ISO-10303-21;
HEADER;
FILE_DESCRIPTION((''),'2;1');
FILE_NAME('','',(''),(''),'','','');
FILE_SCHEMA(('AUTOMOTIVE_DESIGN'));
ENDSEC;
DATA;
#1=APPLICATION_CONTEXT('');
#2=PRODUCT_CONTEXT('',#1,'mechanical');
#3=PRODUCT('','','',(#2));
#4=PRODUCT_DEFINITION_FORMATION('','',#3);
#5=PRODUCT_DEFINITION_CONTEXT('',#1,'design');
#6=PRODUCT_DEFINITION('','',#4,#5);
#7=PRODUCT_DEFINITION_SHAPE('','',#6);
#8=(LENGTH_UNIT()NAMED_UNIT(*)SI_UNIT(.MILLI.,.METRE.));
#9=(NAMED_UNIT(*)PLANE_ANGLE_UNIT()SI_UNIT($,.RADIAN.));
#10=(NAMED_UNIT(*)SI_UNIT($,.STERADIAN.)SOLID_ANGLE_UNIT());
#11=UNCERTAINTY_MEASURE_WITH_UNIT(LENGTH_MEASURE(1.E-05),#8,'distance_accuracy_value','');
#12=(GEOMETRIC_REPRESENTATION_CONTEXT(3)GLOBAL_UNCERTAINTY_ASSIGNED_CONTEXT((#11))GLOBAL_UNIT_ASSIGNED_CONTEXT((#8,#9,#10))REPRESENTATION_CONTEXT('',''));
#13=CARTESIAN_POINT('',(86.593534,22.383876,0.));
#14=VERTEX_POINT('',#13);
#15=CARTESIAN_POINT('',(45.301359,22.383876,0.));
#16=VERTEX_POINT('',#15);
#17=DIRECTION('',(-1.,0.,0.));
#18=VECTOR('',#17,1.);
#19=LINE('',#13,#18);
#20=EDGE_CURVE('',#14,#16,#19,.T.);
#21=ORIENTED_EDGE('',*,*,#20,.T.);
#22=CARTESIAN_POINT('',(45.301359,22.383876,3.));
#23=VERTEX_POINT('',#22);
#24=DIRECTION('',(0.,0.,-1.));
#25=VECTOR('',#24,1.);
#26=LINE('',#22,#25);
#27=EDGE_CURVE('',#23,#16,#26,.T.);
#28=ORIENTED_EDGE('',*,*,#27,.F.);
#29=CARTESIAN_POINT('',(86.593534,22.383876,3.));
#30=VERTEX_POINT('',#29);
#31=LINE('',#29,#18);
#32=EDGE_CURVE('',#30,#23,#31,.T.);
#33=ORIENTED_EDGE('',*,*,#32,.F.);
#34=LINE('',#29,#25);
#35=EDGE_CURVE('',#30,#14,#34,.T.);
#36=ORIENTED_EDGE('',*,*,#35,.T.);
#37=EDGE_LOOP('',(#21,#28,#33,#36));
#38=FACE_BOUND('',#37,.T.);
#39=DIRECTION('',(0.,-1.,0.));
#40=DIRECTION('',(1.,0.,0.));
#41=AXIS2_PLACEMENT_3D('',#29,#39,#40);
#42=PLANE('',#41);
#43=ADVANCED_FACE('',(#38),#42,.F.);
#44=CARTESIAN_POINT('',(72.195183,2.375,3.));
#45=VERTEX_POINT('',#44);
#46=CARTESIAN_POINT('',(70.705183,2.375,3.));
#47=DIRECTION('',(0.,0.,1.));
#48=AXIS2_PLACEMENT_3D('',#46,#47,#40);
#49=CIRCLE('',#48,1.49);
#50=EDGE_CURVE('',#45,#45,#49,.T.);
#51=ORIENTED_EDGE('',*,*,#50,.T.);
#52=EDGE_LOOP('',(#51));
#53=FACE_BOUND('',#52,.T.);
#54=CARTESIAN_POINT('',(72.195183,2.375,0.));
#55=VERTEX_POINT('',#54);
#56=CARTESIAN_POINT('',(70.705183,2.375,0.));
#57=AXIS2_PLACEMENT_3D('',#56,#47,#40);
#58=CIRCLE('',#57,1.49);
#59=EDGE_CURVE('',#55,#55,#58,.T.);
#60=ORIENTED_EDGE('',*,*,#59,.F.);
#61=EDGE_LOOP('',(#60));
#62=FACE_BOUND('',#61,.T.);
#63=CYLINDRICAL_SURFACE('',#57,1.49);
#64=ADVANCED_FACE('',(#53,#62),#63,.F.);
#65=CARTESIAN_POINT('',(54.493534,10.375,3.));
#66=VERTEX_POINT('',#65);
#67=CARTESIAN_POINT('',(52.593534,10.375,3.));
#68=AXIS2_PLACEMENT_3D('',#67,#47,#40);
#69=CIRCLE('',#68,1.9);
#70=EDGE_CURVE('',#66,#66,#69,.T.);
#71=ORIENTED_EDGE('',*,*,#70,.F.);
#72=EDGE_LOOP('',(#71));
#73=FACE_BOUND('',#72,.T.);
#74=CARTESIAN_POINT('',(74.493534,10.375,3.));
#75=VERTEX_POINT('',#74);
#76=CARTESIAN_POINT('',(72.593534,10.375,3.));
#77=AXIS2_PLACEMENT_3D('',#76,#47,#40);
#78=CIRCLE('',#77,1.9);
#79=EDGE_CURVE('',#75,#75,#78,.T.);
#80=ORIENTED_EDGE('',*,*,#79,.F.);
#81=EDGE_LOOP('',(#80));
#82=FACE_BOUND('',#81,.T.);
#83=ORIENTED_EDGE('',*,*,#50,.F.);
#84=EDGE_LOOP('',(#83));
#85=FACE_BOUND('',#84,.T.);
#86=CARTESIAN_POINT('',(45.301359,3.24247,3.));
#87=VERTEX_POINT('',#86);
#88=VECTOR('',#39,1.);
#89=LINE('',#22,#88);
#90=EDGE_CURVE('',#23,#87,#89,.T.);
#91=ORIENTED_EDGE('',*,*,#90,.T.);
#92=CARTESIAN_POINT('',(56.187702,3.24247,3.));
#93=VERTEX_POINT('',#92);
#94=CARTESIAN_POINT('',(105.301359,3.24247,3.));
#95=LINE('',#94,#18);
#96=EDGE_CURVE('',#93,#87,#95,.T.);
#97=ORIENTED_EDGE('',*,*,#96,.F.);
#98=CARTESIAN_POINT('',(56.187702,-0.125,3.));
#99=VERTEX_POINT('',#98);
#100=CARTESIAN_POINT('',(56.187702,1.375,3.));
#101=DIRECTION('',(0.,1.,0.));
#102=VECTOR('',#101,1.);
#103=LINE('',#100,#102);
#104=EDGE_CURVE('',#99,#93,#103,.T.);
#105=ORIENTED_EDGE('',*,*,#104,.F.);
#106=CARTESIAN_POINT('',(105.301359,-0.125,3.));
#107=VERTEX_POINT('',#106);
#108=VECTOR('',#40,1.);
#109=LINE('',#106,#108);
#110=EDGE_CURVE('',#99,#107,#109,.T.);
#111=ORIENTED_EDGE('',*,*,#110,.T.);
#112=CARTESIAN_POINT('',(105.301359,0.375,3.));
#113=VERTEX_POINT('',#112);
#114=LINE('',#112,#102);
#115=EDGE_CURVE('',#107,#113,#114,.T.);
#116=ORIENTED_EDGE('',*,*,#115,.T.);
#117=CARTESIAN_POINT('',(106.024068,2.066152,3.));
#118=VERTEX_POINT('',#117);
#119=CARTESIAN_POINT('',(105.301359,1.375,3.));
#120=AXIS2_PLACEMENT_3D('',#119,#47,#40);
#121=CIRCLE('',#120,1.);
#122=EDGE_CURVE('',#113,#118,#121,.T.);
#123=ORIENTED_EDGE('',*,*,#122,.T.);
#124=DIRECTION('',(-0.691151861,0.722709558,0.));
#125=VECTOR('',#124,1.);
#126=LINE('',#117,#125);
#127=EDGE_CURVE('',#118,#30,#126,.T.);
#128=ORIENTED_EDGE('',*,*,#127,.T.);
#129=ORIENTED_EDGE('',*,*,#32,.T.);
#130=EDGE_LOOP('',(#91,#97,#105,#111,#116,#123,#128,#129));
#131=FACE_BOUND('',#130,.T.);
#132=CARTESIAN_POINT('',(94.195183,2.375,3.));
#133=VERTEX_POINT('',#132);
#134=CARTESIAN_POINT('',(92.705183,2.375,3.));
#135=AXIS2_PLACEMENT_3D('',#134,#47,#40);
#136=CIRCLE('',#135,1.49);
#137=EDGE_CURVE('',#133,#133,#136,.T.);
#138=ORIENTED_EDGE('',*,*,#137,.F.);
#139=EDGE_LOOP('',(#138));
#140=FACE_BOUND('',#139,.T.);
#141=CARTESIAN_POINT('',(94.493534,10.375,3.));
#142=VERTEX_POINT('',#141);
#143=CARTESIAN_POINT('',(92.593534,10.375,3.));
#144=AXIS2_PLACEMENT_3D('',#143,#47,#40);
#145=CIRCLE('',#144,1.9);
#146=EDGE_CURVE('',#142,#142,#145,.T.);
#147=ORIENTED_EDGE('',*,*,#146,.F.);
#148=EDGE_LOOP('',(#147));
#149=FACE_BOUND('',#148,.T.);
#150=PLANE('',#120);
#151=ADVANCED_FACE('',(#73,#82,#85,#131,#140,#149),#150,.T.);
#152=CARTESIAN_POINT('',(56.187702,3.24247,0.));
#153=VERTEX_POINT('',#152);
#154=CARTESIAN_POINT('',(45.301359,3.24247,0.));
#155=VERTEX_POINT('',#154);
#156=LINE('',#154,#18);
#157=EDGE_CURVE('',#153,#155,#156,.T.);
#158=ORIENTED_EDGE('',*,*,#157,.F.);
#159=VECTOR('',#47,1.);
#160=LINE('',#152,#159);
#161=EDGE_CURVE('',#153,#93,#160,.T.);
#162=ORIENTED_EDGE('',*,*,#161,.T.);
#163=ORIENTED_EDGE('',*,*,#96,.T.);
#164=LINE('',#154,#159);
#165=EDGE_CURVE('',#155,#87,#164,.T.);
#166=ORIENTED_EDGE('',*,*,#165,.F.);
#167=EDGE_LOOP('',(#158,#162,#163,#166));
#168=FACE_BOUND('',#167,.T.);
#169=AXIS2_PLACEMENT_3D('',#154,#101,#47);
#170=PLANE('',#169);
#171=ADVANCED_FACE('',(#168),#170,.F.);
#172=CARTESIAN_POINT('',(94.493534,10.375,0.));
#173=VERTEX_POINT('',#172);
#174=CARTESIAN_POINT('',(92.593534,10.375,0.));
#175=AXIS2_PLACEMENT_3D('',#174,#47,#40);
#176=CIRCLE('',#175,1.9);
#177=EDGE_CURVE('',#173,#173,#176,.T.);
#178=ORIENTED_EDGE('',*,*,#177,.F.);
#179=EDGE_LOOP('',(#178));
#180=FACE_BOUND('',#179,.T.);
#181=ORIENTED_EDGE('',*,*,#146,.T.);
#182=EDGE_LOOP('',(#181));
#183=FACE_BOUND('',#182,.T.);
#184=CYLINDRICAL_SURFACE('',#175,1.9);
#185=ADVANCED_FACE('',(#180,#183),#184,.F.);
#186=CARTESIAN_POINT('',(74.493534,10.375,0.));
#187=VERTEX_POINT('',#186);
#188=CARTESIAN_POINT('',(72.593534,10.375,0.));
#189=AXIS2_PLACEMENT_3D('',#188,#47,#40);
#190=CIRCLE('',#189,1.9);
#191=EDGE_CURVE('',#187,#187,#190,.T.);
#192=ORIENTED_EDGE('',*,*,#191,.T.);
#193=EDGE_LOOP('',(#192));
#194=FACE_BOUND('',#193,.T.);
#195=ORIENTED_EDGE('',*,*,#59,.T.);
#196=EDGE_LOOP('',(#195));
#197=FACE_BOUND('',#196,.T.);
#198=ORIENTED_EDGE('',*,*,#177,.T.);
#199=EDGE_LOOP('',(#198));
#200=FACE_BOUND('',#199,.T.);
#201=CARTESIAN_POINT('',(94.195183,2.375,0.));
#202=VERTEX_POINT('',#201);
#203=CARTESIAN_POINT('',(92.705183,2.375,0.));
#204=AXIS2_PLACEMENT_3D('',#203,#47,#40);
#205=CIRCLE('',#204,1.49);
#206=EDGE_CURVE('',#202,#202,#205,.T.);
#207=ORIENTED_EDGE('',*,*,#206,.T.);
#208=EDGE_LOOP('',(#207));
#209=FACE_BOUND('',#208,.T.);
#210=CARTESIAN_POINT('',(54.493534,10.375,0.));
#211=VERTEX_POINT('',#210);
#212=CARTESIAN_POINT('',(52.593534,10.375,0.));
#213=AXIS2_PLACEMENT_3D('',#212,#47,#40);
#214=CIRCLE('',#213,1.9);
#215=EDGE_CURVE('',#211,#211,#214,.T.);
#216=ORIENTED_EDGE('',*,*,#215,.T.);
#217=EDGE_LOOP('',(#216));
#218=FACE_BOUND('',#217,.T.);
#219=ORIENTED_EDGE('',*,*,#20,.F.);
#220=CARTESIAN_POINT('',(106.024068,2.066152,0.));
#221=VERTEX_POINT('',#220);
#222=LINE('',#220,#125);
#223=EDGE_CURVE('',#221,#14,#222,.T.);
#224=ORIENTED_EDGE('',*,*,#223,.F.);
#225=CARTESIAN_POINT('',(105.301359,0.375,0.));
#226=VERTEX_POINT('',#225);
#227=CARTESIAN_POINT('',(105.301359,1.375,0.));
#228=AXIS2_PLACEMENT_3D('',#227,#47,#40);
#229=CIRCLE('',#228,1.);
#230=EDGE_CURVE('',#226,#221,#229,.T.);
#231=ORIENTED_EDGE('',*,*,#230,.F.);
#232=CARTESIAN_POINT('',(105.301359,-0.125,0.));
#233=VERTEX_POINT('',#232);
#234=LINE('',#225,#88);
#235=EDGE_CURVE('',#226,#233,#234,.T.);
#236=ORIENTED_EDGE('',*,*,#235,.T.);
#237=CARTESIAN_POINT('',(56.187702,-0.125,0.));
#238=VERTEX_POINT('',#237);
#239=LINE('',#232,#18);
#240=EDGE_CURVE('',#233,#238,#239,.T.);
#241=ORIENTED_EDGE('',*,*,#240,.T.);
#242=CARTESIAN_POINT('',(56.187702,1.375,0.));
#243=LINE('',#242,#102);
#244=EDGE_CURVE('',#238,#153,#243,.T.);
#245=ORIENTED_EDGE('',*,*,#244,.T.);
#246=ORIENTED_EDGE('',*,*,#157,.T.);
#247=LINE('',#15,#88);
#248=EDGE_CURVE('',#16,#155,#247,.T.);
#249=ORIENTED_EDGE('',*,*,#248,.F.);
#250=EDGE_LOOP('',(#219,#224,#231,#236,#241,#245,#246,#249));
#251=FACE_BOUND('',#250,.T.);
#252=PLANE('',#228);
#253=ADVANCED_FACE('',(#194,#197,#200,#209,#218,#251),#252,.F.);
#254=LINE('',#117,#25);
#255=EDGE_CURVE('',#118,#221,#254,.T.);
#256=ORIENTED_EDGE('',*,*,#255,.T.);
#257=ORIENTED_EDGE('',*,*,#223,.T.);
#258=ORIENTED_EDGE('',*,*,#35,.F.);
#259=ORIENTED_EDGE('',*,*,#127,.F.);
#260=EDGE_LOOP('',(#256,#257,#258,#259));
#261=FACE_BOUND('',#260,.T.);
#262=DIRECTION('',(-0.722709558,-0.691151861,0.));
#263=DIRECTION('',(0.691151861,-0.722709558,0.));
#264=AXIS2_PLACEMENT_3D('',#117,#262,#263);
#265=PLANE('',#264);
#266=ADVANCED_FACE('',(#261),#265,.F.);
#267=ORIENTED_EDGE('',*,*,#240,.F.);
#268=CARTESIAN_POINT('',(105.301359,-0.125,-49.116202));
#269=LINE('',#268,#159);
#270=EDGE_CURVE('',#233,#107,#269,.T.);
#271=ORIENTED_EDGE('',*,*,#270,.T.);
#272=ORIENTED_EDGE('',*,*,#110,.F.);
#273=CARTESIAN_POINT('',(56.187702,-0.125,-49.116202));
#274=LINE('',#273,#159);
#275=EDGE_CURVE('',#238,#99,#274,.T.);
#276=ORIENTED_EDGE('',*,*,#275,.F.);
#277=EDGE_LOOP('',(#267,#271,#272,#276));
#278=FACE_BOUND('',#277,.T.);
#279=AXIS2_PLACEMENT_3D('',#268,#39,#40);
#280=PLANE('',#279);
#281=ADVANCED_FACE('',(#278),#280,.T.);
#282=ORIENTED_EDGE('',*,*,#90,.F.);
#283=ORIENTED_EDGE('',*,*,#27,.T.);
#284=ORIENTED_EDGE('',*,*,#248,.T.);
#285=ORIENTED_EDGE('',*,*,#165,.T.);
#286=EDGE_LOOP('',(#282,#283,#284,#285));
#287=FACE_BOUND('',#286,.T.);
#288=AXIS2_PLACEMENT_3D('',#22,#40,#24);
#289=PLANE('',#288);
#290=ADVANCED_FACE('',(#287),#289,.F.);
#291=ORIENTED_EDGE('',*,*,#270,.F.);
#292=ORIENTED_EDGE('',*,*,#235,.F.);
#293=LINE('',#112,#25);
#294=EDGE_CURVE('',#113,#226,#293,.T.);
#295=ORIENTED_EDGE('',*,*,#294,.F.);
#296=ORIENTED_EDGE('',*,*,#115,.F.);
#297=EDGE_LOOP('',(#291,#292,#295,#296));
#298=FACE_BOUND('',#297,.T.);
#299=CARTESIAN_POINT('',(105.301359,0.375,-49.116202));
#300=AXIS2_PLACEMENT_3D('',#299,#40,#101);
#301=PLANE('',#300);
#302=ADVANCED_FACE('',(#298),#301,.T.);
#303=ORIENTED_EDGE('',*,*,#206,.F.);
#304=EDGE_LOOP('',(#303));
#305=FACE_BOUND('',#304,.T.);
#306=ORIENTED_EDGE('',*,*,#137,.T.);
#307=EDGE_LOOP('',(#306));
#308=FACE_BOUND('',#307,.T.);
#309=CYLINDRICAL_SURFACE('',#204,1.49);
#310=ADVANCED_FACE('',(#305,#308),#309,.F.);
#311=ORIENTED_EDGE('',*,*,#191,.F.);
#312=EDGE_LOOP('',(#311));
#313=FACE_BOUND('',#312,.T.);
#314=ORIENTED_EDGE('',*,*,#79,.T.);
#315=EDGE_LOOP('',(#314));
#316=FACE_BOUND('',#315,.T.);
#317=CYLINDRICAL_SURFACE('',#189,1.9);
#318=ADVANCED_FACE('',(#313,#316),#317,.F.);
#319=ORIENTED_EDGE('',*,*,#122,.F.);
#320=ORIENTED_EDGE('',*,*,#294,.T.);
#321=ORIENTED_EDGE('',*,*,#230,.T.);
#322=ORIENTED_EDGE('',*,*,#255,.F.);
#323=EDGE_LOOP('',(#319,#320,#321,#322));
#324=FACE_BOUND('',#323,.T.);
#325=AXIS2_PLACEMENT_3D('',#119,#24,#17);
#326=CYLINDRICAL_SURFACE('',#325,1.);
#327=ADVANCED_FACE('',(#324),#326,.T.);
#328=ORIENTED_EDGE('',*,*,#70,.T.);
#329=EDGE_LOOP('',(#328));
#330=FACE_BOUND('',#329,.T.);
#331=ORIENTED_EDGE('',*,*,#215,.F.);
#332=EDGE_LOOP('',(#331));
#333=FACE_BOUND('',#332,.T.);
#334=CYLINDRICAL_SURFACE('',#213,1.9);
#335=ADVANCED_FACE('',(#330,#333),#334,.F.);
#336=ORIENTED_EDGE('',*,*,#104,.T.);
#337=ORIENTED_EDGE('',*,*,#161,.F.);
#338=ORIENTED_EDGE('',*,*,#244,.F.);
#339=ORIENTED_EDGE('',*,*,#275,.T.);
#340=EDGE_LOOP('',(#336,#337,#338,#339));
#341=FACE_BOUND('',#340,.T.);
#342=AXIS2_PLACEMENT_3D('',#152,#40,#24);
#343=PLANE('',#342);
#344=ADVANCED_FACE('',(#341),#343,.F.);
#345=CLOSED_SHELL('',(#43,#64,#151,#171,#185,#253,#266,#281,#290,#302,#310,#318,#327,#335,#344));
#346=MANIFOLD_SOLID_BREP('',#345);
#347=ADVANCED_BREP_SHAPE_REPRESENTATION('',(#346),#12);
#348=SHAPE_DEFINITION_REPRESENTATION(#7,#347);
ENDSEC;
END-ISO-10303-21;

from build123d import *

# Parameters (mm, degrees)
EXTRUDE_1_DEPTH          = 3
SKETCH_2_W               = 10.886343204
SKETCH_2_H               = 8.708921112
CUT_EXTRUDE_1_DEPTH      = 1
CUT_EXTRUDE_1_DEPTH_BACK = 4
SKETCH_3_R               = 1.9
CUT_EXTRUDE_2_DEPTH      = 1
CUT_EXTRUDE_2_DEPTH_BACK = 4
SKETCH_4_R               = 1.49
CUT_EXTRUDE_3_DEPTH      = 1
CUT_EXTRUDE_3_DEPTH_BACK = 4
SKETCH_5_W               = 49.113656796
SKETCH_5_H               = 0.5
EXTRUDE_2_DEPTH          = 3


with BuildPart() as part:
    # Эскиз1 → Бобышка-Вытянуть1 (new body)
    with BuildSketch(Plane.XY):
        with BuildLine():
            Line((45.301358773, 22.383876488), (45.301358773, -1.452573816))
            Line((45.301358773, -1.452573816), (53, 0))
            Line((53, 0), (53.661481565, 0.375))
            Line((53.661481565, 0.375), (105.301358773, 0.375))
            ThreePointArc((105.301358773, 0.375), (106.2209108, 0.982031719), (106.024068331, 2.066151861))
            Line((106.024068331, 2.066151861), (86.593533576, 22.383876488))
            Line((86.593533576, 22.383876488), (45.301358773, 22.383876488))
        make_face()
    extrude(amount=EXTRUDE_1_DEPTH)

    # Эскиз2 → Вырез-Вытянуть1 (cut, two sides)
    with BuildSketch(Plane.XY.offset(3)) as cut_extrude_1_sk:
        with Locations((50.744530375, -1.111990753)):
            Rectangle(SKETCH_2_W, SKETCH_2_H)
    extrude(amount=CUT_EXTRUDE_1_DEPTH, mode=Mode.SUBTRACT)
    extrude(cut_extrude_1_sk.sketch, amount=-CUT_EXTRUDE_1_DEPTH_BACK, mode=Mode.SUBTRACT)

    # Эскиз3 → Вырез-Вытянуть2 (cut, two sides)
    with BuildSketch(Plane.XY.offset(3)) as cut_extrude_2_sk:
        with Locations((52.593533576, 10.375)):
            Circle(SKETCH_3_R)
        with Locations((72.593533576, 10.375)):
            Circle(SKETCH_3_R)
        with Locations((92.593533576, 10.375)):
            Circle(SKETCH_3_R)
    extrude(amount=CUT_EXTRUDE_2_DEPTH, mode=Mode.SUBTRACT)
    extrude(cut_extrude_2_sk.sketch, amount=-CUT_EXTRUDE_2_DEPTH_BACK, mode=Mode.SUBTRACT)

    # Эскиз4 → Вырез-Вытянуть3 (cut, two sides)
    with BuildSketch(Plane.XY.offset(3)) as cut_extrude_3_sk:
        with Locations((92.705183178, 2.375)):
            Circle(SKETCH_4_R)
        with Locations((70.705183178, 2.375)):
            Circle(SKETCH_4_R)
    extrude(amount=CUT_EXTRUDE_3_DEPTH, mode=Mode.SUBTRACT)
    extrude(cut_extrude_3_sk.sketch, amount=-CUT_EXTRUDE_3_DEPTH_BACK, mode=Mode.SUBTRACT)

    # Эскиз5 → Бобышка-Вытянуть2 (add)
    with BuildSketch(Plane.XY.offset(3)):
        with Locations((80.744530375, 0.125)):
            Rectangle(SKETCH_5_W, SKETCH_5_H)
    extrude(amount=-EXTRUDE_2_DEPTH)


solid = part.part
